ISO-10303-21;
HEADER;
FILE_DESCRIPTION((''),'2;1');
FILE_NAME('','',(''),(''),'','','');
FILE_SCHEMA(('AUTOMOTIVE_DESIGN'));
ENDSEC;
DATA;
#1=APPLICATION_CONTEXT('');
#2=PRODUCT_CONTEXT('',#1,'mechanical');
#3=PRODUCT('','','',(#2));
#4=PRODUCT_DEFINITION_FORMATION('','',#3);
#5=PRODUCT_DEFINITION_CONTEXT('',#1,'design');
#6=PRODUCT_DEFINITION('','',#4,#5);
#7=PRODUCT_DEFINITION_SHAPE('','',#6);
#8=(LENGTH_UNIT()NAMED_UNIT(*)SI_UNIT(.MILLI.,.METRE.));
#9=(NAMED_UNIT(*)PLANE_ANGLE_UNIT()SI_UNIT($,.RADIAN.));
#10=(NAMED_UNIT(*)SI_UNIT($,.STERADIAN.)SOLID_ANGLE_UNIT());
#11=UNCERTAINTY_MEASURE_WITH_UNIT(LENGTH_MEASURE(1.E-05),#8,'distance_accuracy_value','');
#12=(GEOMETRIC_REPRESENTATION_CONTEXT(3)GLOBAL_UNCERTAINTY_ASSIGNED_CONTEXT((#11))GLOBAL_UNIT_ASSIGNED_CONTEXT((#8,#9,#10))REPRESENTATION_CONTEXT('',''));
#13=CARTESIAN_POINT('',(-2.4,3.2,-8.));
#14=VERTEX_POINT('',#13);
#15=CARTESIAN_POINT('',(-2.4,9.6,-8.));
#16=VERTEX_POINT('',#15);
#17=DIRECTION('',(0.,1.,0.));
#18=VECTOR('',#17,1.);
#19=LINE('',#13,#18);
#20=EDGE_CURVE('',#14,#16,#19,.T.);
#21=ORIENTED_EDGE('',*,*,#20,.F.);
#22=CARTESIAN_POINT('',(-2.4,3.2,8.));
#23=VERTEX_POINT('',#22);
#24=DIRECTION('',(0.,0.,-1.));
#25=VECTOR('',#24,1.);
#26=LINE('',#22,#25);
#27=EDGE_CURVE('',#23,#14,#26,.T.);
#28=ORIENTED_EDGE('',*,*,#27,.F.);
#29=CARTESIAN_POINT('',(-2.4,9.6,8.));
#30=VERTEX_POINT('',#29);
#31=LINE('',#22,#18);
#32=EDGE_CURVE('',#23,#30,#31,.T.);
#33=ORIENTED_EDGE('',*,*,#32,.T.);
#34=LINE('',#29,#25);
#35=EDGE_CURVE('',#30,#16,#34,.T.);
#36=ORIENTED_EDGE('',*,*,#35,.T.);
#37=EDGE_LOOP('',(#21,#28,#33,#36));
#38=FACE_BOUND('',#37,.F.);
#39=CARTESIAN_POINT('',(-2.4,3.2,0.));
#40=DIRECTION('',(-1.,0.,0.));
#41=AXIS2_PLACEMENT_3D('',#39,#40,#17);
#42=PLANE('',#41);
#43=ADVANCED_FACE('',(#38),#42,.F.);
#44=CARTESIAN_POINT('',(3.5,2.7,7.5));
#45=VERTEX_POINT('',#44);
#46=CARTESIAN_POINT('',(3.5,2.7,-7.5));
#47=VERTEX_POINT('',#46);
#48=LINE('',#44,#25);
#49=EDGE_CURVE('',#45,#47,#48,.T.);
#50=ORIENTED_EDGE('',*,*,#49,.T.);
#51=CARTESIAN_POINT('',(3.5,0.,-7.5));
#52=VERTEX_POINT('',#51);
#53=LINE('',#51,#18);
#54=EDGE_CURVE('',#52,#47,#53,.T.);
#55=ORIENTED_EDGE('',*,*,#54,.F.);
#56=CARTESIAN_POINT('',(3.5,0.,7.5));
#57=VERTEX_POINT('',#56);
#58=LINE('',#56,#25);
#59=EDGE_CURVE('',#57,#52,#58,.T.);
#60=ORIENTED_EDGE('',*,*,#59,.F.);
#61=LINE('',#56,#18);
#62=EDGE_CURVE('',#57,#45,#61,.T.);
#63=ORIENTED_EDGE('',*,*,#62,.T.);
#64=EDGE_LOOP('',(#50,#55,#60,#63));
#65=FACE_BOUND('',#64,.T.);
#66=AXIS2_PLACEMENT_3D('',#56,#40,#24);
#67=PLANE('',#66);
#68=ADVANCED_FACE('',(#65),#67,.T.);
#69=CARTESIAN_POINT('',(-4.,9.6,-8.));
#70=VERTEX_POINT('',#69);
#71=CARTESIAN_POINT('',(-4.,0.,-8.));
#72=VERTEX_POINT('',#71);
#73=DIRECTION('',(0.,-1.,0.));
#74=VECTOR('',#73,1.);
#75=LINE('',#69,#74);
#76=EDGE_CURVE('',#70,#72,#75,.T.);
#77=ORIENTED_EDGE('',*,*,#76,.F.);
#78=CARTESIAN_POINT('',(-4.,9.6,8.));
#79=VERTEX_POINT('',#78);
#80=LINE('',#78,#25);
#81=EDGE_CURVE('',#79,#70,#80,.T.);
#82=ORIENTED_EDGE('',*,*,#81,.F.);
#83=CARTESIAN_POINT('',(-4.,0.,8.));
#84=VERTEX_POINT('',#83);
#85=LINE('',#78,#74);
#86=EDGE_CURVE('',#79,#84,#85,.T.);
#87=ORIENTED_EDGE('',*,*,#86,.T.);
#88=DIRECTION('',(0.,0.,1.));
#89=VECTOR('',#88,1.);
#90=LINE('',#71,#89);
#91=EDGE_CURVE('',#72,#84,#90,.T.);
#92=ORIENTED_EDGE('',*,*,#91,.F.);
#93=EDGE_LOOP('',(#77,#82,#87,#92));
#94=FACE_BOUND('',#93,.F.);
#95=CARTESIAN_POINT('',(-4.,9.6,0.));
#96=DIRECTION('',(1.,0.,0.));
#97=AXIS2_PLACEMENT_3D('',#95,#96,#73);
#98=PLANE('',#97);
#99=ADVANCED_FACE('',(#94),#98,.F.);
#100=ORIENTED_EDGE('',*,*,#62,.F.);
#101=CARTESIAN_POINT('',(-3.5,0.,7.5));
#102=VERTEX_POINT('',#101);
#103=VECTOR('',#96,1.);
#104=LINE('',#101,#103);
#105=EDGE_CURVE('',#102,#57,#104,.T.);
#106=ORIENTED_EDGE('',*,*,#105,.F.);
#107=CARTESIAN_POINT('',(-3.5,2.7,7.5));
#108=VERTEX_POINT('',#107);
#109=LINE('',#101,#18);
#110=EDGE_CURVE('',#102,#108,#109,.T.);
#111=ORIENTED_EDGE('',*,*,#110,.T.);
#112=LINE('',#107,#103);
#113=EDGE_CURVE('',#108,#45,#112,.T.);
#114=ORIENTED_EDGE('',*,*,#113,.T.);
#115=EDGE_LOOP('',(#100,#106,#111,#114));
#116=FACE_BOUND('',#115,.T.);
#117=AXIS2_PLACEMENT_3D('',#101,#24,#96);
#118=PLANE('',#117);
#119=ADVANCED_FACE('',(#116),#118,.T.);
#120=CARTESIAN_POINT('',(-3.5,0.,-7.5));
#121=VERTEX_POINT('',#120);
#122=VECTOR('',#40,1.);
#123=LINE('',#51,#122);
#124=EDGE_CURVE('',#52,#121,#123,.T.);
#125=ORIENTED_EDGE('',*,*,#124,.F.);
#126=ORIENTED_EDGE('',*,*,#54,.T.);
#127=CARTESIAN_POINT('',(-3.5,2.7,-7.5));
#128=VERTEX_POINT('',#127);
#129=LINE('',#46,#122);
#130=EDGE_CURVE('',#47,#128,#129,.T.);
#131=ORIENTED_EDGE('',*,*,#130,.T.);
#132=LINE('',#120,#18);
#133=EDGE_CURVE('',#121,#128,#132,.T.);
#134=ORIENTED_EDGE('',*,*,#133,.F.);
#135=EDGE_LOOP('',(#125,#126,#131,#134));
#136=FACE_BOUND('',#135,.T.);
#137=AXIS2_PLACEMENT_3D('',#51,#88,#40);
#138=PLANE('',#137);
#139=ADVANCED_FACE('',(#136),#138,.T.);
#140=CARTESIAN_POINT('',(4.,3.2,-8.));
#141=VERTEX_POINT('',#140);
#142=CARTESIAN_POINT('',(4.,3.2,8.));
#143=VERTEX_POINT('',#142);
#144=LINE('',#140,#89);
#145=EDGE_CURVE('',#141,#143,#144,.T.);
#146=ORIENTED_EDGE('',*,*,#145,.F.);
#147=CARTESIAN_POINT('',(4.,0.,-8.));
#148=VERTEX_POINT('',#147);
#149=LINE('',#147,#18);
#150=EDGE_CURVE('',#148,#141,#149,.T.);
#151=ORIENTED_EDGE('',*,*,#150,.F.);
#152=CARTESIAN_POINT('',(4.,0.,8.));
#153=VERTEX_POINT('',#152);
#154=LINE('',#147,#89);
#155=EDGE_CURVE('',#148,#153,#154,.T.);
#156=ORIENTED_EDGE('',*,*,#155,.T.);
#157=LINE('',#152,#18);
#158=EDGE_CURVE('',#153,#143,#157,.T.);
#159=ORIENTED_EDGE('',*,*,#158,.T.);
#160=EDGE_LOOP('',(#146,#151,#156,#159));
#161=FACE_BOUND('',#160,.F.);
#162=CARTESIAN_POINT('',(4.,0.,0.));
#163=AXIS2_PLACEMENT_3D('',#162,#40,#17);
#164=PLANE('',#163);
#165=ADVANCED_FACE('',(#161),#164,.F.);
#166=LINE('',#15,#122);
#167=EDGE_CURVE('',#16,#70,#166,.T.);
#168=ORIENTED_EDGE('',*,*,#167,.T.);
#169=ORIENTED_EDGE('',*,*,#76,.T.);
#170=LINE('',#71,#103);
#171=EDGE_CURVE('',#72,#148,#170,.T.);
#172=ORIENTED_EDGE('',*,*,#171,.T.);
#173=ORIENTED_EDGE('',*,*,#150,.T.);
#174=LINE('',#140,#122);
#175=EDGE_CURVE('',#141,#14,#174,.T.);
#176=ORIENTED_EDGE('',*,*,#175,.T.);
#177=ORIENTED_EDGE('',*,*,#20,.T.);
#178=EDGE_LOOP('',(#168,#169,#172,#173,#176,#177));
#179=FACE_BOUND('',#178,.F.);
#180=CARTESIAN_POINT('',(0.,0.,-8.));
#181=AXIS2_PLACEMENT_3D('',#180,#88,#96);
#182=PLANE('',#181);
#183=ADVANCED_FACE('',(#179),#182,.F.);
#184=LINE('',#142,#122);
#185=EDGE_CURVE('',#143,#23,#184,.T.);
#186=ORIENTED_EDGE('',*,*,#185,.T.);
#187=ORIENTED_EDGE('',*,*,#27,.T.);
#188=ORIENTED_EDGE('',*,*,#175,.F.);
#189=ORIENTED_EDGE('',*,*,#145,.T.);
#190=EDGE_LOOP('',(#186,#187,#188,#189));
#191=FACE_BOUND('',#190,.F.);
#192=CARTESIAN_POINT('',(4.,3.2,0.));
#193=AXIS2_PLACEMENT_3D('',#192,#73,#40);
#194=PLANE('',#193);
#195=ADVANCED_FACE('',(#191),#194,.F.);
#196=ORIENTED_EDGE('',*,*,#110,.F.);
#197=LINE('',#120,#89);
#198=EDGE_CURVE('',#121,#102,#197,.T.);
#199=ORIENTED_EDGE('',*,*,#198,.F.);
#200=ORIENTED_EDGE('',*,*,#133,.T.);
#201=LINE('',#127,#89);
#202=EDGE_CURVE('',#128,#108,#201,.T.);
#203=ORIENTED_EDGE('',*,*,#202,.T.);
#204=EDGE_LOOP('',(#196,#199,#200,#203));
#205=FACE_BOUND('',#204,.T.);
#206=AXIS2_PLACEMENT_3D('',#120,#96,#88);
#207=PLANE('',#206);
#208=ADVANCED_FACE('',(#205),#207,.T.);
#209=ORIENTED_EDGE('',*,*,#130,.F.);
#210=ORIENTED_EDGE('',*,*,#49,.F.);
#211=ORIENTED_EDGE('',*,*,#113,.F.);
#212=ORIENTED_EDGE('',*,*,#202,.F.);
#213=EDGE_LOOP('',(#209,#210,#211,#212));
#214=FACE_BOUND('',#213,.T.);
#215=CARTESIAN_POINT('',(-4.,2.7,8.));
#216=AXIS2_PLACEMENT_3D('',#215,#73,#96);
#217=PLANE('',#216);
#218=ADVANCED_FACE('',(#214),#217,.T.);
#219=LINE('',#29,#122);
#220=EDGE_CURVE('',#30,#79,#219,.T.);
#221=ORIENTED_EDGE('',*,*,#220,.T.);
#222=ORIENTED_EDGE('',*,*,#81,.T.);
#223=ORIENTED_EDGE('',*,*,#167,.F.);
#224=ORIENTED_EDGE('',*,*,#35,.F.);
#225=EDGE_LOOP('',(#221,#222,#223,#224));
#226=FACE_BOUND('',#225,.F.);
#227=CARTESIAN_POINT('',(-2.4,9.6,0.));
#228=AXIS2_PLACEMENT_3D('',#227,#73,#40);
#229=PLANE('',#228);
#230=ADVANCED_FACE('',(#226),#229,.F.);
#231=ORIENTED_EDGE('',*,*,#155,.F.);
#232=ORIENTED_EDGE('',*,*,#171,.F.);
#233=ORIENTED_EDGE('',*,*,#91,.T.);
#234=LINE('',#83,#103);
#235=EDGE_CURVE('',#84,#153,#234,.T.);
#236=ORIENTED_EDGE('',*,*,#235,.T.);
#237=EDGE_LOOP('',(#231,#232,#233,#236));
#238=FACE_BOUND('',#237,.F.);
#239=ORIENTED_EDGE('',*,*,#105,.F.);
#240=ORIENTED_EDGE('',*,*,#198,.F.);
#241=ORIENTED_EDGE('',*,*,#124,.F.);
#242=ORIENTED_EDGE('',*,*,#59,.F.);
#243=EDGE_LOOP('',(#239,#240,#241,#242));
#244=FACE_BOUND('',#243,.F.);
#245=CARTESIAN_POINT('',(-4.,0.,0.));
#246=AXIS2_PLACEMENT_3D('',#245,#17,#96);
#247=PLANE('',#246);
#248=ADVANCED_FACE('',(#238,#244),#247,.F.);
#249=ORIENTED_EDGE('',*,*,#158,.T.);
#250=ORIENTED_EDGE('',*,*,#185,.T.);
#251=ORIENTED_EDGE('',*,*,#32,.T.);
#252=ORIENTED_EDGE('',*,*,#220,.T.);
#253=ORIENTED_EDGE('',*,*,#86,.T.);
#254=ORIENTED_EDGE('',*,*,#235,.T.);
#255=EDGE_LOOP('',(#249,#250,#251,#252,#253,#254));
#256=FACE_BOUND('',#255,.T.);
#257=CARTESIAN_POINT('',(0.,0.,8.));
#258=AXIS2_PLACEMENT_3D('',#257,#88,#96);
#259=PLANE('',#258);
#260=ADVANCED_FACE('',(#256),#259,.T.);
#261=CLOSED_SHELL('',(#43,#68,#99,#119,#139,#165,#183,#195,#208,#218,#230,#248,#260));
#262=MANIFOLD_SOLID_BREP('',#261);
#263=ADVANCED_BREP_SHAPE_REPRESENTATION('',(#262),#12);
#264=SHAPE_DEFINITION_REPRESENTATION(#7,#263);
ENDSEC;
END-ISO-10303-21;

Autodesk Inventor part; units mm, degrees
ref_plane "YZ Plane" through (0, 0, 0) normal (1, 0, 0) x (0, 1, 0)
ref_plane "XZ Plane" through (0, 0, 0) normal (0, 1, 0) x (-1, 0, 0)
ref_plane "XY Plane" through (0, 0, 0) normal (0, 0, 1) x (1, 0, 0)
sketch "Sketch1" plane through (0, 0, 0) normal (0, 0, 1) x (1, 0, 0)
  line L0 (-4, 0) -> (4, 0)
  line L1 (4, 0) -> (4, 3.2)
  line L2 (4, 3.2) -> (-2.4, 3.2)
  line L3 (-2.4, 3.2) -> (-2.4, 9.6)
  line L4 (-2.4, 9.6) -> (-4, 9.6)
  line L5 (-4, 9.6) -> (-4, 0)
  point P0 (0, 0)
  point P1 (0, 0)
  dimension "d0" = 8
  dimension "d1" = 3.2
  dimension "d2" = 9.6
  dimension "d3" = 1.6
extrude "Extrusion1" add sketch "Sketch1" along normal mid plane 16
sketch "Sketch2" plane through (-4, 0, 8) normal (0, -1, 0) x (1, 0, 0)
  line L0 (8, 0) -> (0, 0) construction
  line L1 (0, 0) -> (0, -16) construction
  line L2 (0, -16) -> (8, -16) construction
  line L3 (8, -16) -> (8, 0) construction
  line L4 (0.5, -0.5) -> (7.5, -0.5)
  line L5 (7.5, -0.5) -> (7.5, -15.5)
  line L6 (7.5, -15.5) -> (0.5, -15.5)
  line L7 (0.5, -15.5) -> (0.5, -0.5)
  dimension "d6" = 0.5
extrude "Extrusion2" cut sketch "Sketch2" against normal blind 2.7
properties part number "LEGO Brick 4865" material "Steel"
